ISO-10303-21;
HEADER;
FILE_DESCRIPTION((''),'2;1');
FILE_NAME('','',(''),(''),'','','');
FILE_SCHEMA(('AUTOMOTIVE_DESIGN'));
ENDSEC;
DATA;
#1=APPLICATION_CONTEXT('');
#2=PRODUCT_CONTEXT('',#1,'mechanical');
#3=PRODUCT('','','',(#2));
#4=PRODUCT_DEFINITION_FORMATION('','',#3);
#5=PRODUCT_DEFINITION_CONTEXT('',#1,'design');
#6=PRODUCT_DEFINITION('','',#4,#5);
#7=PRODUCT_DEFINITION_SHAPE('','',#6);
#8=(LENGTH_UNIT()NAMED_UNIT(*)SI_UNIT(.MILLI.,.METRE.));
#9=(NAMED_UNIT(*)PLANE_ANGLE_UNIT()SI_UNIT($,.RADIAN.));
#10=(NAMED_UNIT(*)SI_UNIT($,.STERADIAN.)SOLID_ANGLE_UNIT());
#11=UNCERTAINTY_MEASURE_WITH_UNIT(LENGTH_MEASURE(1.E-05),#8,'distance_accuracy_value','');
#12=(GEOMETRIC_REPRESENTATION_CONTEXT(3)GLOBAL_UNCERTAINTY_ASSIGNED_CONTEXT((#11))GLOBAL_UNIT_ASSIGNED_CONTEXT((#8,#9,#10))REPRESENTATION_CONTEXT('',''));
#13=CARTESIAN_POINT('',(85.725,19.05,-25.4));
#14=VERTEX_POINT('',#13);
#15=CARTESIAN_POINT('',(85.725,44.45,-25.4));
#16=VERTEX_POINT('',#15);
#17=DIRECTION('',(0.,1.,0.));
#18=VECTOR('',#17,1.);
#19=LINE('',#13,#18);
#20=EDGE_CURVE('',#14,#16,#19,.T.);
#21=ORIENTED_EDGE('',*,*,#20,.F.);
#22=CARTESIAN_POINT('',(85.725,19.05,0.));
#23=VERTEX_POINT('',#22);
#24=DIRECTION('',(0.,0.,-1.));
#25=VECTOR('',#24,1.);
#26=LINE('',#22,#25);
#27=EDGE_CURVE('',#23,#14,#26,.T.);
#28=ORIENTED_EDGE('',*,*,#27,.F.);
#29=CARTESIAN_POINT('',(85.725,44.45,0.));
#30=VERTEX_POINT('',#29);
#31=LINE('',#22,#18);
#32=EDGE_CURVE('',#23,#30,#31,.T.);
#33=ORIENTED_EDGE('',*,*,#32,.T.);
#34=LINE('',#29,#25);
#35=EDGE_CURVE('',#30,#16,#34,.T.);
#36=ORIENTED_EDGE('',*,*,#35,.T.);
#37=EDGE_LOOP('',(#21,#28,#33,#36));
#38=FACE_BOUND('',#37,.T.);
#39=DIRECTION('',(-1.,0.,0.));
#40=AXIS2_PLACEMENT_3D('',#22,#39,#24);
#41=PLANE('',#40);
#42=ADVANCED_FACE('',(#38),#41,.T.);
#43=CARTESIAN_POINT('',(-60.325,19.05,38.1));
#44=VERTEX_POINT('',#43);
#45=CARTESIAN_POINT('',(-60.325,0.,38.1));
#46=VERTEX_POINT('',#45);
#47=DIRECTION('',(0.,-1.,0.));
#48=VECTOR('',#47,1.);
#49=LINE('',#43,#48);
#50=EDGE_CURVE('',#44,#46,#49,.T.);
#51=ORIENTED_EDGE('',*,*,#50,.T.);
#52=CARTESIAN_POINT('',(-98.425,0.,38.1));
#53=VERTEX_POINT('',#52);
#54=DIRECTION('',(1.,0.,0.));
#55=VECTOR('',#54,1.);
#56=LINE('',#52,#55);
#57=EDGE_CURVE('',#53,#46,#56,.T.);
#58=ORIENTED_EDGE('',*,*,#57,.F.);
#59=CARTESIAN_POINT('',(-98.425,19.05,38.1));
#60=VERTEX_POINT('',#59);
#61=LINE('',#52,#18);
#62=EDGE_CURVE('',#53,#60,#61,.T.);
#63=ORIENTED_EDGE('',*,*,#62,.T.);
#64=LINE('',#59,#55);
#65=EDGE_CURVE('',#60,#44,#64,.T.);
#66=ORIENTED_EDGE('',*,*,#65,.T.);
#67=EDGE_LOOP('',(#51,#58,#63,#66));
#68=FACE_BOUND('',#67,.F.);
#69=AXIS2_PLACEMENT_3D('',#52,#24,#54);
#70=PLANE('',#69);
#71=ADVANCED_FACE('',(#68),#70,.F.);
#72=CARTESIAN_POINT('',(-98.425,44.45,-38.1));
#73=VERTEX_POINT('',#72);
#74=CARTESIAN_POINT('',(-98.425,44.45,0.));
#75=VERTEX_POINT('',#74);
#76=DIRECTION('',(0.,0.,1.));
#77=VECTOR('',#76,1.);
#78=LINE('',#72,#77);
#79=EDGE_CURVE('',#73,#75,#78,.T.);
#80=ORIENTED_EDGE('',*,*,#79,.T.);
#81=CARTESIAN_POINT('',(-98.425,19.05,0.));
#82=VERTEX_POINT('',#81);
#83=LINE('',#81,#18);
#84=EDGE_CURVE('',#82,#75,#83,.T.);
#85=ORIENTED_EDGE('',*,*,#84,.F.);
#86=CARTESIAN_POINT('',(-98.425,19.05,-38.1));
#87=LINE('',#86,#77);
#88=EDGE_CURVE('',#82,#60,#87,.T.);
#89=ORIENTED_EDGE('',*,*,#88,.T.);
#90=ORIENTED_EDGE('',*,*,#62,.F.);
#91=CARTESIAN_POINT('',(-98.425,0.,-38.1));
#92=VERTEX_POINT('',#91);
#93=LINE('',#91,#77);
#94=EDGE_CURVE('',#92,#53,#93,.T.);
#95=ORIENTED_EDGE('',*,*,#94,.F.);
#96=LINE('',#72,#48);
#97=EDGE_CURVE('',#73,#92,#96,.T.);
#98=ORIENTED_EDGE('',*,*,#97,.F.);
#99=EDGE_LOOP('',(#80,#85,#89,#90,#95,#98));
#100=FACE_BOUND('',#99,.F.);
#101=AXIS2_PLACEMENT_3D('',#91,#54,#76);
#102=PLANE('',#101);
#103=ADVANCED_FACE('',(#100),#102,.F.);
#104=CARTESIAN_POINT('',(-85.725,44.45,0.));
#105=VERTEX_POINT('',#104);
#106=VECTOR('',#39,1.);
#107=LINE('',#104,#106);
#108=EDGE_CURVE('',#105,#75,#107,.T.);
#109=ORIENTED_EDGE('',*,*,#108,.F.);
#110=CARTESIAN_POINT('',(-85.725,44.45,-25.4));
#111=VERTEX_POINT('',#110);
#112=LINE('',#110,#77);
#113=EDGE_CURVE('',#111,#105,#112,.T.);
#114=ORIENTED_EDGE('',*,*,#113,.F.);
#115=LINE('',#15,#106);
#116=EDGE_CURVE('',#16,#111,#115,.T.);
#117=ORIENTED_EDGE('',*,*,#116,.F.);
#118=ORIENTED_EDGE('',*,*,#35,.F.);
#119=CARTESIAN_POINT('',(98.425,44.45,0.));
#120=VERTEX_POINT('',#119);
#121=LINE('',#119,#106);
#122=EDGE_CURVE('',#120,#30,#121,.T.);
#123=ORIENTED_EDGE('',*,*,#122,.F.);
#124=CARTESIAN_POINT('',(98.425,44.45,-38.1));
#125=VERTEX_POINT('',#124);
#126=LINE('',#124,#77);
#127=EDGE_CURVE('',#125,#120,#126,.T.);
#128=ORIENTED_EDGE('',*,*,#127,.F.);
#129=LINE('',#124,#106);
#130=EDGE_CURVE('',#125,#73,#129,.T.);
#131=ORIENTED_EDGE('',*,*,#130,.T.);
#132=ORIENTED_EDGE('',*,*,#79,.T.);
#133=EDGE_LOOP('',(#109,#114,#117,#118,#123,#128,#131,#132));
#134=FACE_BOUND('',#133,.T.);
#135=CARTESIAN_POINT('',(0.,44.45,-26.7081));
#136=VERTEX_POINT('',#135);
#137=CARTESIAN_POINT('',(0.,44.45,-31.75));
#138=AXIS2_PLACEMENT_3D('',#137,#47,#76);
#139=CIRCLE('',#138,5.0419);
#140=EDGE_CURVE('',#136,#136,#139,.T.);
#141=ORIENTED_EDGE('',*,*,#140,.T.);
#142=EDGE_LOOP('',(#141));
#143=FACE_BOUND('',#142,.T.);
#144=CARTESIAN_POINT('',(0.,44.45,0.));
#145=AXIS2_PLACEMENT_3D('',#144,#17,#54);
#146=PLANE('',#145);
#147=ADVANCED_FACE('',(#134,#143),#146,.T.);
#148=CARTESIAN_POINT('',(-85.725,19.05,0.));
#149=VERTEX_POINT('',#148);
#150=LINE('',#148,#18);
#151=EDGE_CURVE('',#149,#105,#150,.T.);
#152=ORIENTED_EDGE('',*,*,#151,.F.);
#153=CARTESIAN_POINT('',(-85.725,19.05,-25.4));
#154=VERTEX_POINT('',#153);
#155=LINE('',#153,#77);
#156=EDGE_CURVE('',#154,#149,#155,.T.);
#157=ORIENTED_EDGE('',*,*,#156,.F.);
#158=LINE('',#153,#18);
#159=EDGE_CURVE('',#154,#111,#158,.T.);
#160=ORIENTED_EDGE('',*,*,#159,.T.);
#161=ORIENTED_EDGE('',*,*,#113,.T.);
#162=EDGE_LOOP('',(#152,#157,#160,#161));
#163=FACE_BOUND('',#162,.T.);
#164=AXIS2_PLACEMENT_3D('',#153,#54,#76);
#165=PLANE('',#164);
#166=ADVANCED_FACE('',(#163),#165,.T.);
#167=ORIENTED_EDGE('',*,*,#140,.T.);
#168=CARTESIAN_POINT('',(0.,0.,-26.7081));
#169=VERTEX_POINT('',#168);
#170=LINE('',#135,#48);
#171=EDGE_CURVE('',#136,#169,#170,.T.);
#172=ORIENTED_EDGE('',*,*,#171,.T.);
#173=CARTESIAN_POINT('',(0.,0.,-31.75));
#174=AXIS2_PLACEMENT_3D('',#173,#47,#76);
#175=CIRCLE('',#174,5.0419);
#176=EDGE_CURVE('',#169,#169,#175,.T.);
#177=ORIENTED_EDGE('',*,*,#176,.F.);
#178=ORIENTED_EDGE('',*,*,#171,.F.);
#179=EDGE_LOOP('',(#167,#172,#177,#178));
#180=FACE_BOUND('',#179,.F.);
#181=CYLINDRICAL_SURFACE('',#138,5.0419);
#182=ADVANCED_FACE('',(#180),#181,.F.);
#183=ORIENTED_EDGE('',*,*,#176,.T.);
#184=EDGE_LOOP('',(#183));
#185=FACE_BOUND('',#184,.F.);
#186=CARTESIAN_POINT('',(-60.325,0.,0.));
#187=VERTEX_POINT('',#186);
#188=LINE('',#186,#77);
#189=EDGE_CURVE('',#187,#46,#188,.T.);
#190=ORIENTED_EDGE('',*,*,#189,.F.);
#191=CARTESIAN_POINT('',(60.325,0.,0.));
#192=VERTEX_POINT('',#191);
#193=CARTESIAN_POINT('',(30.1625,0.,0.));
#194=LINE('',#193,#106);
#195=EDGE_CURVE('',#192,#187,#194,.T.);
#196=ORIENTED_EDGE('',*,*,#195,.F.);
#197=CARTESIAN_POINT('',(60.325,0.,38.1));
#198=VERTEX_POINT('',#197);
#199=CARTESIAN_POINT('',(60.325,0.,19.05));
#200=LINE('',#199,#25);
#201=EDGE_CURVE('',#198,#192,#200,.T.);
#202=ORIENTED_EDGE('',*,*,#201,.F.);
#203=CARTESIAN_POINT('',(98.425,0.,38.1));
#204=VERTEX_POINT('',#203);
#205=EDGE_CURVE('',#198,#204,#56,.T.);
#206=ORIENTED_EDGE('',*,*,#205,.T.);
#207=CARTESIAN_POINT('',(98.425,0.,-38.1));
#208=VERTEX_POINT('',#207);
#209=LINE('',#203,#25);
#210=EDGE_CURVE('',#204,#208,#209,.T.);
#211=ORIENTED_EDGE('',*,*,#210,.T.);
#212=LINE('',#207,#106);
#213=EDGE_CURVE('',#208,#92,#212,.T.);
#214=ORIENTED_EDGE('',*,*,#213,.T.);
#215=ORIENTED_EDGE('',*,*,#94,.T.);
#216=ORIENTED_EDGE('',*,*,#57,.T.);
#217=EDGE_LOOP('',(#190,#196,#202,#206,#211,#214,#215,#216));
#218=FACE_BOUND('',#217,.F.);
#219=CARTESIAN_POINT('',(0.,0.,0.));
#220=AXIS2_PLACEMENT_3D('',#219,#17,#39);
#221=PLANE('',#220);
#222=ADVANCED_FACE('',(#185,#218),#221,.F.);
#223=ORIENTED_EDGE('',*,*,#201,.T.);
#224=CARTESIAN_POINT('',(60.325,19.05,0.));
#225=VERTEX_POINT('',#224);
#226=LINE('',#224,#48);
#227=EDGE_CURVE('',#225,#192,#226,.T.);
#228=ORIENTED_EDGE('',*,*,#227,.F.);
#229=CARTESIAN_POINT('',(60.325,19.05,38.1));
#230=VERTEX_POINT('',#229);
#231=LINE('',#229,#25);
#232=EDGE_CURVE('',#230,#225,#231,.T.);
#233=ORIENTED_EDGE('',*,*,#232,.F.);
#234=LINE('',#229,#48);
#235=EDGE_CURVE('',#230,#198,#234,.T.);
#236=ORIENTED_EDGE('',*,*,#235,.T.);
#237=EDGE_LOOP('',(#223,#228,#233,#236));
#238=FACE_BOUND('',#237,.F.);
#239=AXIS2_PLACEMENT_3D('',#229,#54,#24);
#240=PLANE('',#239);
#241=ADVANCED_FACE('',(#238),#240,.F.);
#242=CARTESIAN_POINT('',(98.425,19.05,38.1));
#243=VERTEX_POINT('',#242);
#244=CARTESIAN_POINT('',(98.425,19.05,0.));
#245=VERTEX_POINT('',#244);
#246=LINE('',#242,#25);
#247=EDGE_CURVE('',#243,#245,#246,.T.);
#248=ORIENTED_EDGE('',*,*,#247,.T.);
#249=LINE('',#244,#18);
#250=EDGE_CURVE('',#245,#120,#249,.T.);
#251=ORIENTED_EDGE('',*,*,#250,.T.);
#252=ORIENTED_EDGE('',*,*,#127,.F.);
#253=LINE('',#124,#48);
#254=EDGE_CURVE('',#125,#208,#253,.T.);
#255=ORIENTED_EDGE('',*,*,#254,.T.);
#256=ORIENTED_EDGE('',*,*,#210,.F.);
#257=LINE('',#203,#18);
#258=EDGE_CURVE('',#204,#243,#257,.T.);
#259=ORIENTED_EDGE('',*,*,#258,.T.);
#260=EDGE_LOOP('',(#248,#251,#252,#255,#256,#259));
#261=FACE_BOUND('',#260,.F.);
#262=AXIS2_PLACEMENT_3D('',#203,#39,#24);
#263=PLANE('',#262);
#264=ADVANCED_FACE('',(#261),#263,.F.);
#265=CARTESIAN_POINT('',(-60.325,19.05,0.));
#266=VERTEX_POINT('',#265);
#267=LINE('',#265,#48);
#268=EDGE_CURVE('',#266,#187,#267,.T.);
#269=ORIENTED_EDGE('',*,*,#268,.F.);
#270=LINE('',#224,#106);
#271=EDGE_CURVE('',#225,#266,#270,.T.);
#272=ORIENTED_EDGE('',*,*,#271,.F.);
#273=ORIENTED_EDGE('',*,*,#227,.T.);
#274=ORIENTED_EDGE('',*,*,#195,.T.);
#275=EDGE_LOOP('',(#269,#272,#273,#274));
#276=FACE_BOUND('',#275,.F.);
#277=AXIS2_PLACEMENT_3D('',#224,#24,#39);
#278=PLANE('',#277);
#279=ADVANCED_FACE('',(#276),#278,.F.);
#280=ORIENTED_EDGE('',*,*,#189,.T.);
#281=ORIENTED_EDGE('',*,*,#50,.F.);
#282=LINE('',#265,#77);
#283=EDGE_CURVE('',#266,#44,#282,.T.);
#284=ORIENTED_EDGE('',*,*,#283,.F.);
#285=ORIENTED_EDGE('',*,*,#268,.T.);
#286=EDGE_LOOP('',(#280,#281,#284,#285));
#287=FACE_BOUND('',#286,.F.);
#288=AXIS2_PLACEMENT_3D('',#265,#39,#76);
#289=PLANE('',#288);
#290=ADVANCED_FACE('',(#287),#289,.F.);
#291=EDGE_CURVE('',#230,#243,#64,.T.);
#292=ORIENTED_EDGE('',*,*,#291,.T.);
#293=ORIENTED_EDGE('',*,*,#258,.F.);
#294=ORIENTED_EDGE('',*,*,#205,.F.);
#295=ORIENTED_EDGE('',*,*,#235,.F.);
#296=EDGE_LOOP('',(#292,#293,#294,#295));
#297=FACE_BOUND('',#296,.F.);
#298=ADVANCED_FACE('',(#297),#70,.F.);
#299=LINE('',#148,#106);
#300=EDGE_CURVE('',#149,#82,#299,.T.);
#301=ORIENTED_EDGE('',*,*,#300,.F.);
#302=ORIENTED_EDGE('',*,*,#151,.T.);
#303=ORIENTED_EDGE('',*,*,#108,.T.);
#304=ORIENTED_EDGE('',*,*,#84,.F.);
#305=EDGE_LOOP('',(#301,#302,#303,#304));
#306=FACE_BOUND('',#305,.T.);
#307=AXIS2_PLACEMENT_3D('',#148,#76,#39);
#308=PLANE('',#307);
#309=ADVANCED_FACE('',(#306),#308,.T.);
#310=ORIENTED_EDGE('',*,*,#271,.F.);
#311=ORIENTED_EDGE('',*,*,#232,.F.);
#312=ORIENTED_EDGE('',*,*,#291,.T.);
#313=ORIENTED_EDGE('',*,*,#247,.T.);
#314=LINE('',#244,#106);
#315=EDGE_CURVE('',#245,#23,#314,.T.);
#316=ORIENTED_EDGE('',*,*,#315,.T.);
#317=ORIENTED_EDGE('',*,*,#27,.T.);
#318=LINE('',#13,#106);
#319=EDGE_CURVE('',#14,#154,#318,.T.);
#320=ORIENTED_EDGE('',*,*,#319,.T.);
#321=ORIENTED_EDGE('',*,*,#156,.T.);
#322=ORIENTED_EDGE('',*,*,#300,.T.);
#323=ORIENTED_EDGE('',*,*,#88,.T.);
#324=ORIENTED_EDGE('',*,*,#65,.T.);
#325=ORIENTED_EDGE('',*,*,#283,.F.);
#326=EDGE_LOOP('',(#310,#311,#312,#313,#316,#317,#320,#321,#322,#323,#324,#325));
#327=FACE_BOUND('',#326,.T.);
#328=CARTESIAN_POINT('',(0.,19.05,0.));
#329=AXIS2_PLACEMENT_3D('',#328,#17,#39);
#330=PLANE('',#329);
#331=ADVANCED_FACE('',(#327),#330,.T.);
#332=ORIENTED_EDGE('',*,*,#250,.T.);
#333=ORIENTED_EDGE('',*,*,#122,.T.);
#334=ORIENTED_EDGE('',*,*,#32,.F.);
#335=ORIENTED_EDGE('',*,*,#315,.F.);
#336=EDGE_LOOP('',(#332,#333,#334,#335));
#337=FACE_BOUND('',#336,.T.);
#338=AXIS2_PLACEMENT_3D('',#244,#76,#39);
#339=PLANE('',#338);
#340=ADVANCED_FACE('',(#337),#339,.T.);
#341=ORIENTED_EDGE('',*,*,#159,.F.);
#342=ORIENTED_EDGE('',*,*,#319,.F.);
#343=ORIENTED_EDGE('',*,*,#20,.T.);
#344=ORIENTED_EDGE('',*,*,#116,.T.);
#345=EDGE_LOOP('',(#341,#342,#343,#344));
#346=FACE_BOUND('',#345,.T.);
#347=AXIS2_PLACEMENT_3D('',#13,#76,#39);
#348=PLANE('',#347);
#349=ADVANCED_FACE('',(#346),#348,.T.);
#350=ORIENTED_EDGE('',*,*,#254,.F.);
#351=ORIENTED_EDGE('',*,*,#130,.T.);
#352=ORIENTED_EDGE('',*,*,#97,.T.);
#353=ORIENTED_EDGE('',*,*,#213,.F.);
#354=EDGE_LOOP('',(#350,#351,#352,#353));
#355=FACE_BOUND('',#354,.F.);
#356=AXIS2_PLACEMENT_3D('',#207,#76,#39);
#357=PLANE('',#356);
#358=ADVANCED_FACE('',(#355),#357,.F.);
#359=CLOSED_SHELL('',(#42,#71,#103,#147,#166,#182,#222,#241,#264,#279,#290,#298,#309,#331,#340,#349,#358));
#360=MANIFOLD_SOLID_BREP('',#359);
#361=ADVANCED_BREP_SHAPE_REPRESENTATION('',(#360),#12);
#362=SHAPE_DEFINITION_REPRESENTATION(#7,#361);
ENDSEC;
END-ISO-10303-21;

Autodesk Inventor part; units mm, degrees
ref_plane "YZ Plane" through (0, 0, 0) normal (1, 0, 0) x (0, 1, 0)
ref_plane "XZ Plane" through (0, 0, 0) normal (0, 1, 0) x (-1, 0, 0)
ref_plane "XY Plane" through (0, 0, 0) normal (0, 0, 1) x (1, 0, 0)
sketch "Sketch1" plane through (0, 0, 0) normal (0, 1, 0) x (-1, 0, 0)
  line L0 (98.425, 38.1) -> (-98.425, 38.1)
  line L1 (-98.425, 38.1) -> (-98.425, -38.1)
  line L2 (-98.425, -38.1) -> (98.425, -38.1)
  line L3 (98.425, -38.1) -> (98.425, 38.1)
  line L4 (98.425, 38.1) -> (-98.425, -38.1) construction
  line L5 (-98.425, 38.1) -> (98.425, -38.1) construction
  point P0 (0, 0)
  dimension "length" = 196.85
  dimension "width" = 76.2
extrude "Extrusion1" add sketch "Sketch1" along normal blind 19.05
sketch "Sketch3" plane through (0, 19.05, 0) normal (0, 1, 0) x (1, 0, 0)
  line L0 (98.425, 38.1) -> (-98.425, 38.1) projected
  line L1 (-98.425, 38.1) -> (98.425, 38.1)
  line L2 (98.425, 38.1) -> (98.425, 0)
  line L3 (98.425, -38.1) -> (98.425, 38.1) projected
  line L4 (98.425, 0) -> (85.725, 0)
  line L5 (85.725, 0) -> (85.725, 25.4)
  line L6 (85.725, 25.4) -> (-85.725, 25.4)
  line L7 (-85.725, 25.4) -> (-85.725, 0)
  line L8 (-85.725, 0) -> (-98.425, 0)
  line L9 (-98.425, 38.1) -> (-98.425, -38.1) projected
  line L10 (-98.425, 0) -> (-98.425, 38.1)
  point P0 (0, 0)
  dimension "d9" = 38.1
  dimension "batterSupportSideEdge" = 12.7
  dimension "batterySupportCutOut" = 25.4
  dimension "d28" = 12.7
extrude "Extrusion2" add sketch "Sketch3" along normal blind 25.4
sketch "Sketch4" plane through (0, 44.45, 0) normal (0, 1, 0) x (1, 0, 0)
  line L0 (98.425, 38.1) -> (-98.425, 38.1) construction
  line L1 (0, 38.1) -> (0, 25.4) construction
  line L2 (-85.725, 25.4) -> (85.725, 25.4) projected
  point P0 (0, 0)
  point P1 (0, 31.75)
  dimension "d14" = 6.35
hole "Hole1" at (0, 44.45, -31.75) direction (0, -1, 0) diameter 10.0838 end through all clearance for "Hex Head Bolt" size "3/8" standard "Ansi Unified Screw Threads"
sketch "Sketch5" plane through (0, 19.05, 0) normal (0, 1, 0) x (1, 0, 0)
  line L0 (-60.325, -38.1) -> (60.325, -38.1)
  line L1 (60.325, -38.1) -> (60.325, 0)
  line L2 (60.325, 0) -> (-60.325, 0)
  line L3 (-60.325, 0) -> (-60.325, -38.1)
  line L4 (-98.425, 0) -> (-98.425, -38.1) projected
  line L5 (98.425, -38.1) -> (98.425, 0) projected
  line L6 (85.725, 25.4) -> (-85.725, 25.4) projected
  point P0 (0, 0)
  dimension "d22" = 38.1
  dimension "d23" = 38.1
  dimension "d24" = 25.4
extrude "Extrusion3" cut sketch "Sketch5" against normal through all
properties part number "BatteryHolder"
